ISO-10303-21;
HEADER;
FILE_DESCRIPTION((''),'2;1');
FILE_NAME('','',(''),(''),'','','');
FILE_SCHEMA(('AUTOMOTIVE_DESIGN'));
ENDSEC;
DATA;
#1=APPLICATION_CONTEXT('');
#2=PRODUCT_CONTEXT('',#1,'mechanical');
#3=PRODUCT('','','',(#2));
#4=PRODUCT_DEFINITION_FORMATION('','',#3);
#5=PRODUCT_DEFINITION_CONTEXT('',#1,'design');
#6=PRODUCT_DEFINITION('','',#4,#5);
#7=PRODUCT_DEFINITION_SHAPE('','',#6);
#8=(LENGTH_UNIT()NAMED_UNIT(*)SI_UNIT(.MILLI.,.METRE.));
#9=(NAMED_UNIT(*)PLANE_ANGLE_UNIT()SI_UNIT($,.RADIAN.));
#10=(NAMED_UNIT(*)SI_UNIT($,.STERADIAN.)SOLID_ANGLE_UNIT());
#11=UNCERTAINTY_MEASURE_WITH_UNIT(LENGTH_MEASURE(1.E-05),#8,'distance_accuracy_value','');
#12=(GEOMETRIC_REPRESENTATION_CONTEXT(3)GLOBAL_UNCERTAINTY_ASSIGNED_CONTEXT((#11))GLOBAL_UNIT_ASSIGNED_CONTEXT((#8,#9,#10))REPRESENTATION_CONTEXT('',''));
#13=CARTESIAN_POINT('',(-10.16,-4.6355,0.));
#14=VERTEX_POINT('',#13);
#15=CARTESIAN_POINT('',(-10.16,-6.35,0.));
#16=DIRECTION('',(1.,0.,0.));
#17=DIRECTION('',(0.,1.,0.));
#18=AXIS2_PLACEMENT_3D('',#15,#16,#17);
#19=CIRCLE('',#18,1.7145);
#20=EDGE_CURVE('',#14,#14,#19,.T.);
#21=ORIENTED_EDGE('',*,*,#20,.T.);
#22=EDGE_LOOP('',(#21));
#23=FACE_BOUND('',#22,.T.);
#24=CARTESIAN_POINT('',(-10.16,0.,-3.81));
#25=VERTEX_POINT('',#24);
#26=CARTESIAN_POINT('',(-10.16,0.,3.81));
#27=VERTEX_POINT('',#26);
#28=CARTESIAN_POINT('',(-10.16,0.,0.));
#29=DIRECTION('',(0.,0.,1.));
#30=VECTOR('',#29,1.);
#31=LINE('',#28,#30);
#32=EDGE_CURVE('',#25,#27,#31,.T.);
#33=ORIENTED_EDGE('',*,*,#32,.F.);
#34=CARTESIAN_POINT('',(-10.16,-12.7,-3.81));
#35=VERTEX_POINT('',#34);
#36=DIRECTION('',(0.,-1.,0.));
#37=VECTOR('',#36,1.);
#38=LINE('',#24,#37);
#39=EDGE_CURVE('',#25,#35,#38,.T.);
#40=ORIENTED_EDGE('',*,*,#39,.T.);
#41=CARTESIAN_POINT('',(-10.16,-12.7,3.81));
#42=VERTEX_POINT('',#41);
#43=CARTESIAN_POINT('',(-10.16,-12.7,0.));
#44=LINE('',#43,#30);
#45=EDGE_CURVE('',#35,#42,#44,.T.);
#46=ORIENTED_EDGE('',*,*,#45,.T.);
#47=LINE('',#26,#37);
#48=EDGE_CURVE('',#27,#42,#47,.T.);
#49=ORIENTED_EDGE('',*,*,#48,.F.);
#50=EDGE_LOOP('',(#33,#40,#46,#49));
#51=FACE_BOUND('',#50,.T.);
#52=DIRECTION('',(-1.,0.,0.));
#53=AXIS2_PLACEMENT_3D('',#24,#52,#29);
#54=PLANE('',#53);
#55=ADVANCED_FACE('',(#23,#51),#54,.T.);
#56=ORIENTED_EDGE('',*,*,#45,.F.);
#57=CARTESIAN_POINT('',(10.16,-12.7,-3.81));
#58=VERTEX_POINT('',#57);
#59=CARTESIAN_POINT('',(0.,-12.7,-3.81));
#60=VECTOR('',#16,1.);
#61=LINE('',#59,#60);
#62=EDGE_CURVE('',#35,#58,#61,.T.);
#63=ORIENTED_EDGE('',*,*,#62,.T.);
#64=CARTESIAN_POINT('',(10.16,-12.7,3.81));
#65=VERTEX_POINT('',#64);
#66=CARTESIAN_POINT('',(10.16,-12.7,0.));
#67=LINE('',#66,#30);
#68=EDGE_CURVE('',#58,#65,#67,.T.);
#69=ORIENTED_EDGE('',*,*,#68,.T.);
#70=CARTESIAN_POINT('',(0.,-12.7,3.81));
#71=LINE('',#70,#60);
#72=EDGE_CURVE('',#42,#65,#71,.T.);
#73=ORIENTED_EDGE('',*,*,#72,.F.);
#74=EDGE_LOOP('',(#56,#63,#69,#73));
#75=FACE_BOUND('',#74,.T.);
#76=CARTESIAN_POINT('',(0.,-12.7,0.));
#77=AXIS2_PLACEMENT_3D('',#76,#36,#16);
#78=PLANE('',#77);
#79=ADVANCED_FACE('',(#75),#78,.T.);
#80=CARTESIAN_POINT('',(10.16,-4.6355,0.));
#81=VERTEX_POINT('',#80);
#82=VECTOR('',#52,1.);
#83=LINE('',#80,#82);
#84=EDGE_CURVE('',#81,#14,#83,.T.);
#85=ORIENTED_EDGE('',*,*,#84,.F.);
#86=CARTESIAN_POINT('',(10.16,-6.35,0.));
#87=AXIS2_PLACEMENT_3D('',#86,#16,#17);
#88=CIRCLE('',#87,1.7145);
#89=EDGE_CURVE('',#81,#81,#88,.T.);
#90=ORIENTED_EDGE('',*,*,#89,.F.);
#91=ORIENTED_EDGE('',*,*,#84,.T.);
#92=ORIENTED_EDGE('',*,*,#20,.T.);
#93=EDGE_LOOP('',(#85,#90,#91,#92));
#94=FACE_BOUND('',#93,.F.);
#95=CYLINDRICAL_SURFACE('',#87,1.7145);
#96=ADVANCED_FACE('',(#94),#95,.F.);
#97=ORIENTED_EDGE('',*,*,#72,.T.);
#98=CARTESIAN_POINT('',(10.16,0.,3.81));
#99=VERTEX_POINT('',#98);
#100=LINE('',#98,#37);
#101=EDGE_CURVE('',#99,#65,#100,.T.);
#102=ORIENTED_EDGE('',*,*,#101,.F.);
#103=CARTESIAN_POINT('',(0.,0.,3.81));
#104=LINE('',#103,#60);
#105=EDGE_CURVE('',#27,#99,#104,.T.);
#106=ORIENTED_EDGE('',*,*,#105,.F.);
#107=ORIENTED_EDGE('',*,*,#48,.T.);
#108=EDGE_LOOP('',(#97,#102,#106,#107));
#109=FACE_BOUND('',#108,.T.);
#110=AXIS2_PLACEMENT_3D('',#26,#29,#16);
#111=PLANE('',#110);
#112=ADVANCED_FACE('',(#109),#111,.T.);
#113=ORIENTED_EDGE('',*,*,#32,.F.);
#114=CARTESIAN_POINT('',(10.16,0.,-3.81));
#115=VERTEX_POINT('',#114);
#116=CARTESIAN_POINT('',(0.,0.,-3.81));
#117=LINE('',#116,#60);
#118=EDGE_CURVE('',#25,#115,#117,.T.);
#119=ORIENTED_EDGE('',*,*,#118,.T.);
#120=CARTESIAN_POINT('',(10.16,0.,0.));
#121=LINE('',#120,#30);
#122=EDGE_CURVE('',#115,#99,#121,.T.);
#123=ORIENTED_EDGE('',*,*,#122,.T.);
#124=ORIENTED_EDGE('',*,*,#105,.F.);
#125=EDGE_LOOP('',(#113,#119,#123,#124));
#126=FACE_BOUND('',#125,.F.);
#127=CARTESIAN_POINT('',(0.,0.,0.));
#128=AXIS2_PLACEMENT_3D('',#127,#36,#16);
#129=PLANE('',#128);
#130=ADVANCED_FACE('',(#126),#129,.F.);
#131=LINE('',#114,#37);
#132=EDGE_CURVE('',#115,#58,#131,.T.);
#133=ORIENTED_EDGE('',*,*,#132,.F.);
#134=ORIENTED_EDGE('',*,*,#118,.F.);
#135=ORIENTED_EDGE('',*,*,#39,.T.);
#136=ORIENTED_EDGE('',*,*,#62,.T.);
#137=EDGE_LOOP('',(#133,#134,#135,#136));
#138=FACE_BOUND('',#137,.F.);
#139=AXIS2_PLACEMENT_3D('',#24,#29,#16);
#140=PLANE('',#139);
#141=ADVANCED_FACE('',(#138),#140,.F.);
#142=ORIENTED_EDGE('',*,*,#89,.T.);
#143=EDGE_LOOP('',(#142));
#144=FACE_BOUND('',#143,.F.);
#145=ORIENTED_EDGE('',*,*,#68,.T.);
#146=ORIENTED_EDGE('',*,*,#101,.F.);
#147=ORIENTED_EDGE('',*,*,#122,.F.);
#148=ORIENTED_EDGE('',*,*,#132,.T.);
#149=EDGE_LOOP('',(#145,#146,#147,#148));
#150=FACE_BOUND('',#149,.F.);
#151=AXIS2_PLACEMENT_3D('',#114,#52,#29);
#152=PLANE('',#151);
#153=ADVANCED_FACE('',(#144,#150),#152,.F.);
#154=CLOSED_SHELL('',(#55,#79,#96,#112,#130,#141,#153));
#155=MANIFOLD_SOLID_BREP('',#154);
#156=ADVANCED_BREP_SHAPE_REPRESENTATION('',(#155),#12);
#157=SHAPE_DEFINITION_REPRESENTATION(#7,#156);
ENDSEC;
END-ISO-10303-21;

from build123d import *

# Parameters (mm, degrees)
F0_W     = 20.32
F0_H     = 7.62
F1_DEPTH = 12.7
F2_R     = 1.7145
F3_DEPTH = 20.32


with BuildPart() as f1:
    # F0 (on Front) → F1 (new body)
    with BuildSketch(Plane.XZ):
        Rectangle(F0_W, F0_H)
    extrude(amount=F1_DEPTH)

    # F2 (on face) → F3 (cut)
    with BuildSketch(Plane.YZ.offset(10.16)):
        with Locations((-6.35, 0)):
            Circle(F2_R)
    extrude(amount=-F3_DEPTH, mode=Mode.SUBTRACT)


solid = f1.part
